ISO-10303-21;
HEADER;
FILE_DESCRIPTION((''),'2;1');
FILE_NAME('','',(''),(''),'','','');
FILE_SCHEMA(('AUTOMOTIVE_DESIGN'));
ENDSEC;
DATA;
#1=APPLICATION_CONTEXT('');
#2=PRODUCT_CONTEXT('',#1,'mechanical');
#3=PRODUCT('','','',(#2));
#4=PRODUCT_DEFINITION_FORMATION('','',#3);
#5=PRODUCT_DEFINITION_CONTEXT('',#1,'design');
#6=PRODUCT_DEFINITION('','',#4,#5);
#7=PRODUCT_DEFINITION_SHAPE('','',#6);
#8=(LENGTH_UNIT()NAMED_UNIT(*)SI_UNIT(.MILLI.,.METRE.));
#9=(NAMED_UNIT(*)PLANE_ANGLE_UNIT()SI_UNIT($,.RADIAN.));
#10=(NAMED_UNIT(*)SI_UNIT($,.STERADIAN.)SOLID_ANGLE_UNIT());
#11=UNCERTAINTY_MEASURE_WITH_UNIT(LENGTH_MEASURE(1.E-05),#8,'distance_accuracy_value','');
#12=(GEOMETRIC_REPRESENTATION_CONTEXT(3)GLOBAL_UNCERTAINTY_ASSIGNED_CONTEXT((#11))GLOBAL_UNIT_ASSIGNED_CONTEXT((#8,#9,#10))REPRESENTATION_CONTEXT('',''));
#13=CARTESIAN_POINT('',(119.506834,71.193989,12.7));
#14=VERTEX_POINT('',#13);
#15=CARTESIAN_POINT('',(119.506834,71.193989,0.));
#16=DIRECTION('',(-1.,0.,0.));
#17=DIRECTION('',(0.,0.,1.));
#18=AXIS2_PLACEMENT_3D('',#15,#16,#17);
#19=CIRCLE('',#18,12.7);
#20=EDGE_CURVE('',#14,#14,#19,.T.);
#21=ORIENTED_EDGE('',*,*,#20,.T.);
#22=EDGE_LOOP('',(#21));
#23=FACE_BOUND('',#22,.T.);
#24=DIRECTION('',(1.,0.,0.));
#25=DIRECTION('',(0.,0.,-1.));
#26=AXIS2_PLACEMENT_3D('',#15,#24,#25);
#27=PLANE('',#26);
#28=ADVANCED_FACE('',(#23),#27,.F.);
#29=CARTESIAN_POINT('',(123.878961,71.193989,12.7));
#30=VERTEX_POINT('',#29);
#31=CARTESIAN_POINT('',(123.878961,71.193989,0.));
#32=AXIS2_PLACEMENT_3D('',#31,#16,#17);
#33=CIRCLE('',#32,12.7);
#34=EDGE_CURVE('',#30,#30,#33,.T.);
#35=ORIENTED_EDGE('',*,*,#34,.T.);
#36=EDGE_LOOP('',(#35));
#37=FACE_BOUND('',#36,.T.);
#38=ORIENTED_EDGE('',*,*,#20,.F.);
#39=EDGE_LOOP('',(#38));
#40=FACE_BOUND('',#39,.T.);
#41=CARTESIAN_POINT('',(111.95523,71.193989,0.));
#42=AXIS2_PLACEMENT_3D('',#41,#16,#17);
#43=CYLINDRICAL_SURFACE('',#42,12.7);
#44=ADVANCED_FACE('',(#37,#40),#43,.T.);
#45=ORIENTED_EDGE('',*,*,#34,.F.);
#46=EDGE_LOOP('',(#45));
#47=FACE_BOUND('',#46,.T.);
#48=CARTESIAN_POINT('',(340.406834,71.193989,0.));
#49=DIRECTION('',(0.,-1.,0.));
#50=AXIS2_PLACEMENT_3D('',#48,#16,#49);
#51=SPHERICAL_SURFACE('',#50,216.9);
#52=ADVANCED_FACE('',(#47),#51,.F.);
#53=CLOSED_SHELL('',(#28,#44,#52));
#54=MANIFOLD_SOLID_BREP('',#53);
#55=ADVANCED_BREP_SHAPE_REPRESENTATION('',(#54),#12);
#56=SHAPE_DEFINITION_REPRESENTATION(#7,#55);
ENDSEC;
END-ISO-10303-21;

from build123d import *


with BuildPart() as part:
    # 草图1 → 旋转1 (revolve)
    with BuildSketch(Plane.XY, mode=Mode.PRIVATE) as revolve_1_sk:
        with BuildLine():
            Line((119.506834179, 71.193989087), (119.506834179, 83.893989087))
            Line((119.506834179, 83.893989087), (123.878960684, 83.893989087))
            ThreePointArc((123.878960684, 83.893989087), (123.599885765, 77.546714449), (123.506834179, 71.193989087))
            Line((123.506834179, 71.193989087), (119.506834179, 71.193989087))
        make_face()
    revolve(revolve_1_sk.sketch.rotate(Axis((111.955229758, 71.193989087, 0), (1, 0, 0)), 180), axis=Axis((111.955229758, 71.193989087, 0), (1, 0, 0)))  # turned: the seam where the file's is


solid = part.part
